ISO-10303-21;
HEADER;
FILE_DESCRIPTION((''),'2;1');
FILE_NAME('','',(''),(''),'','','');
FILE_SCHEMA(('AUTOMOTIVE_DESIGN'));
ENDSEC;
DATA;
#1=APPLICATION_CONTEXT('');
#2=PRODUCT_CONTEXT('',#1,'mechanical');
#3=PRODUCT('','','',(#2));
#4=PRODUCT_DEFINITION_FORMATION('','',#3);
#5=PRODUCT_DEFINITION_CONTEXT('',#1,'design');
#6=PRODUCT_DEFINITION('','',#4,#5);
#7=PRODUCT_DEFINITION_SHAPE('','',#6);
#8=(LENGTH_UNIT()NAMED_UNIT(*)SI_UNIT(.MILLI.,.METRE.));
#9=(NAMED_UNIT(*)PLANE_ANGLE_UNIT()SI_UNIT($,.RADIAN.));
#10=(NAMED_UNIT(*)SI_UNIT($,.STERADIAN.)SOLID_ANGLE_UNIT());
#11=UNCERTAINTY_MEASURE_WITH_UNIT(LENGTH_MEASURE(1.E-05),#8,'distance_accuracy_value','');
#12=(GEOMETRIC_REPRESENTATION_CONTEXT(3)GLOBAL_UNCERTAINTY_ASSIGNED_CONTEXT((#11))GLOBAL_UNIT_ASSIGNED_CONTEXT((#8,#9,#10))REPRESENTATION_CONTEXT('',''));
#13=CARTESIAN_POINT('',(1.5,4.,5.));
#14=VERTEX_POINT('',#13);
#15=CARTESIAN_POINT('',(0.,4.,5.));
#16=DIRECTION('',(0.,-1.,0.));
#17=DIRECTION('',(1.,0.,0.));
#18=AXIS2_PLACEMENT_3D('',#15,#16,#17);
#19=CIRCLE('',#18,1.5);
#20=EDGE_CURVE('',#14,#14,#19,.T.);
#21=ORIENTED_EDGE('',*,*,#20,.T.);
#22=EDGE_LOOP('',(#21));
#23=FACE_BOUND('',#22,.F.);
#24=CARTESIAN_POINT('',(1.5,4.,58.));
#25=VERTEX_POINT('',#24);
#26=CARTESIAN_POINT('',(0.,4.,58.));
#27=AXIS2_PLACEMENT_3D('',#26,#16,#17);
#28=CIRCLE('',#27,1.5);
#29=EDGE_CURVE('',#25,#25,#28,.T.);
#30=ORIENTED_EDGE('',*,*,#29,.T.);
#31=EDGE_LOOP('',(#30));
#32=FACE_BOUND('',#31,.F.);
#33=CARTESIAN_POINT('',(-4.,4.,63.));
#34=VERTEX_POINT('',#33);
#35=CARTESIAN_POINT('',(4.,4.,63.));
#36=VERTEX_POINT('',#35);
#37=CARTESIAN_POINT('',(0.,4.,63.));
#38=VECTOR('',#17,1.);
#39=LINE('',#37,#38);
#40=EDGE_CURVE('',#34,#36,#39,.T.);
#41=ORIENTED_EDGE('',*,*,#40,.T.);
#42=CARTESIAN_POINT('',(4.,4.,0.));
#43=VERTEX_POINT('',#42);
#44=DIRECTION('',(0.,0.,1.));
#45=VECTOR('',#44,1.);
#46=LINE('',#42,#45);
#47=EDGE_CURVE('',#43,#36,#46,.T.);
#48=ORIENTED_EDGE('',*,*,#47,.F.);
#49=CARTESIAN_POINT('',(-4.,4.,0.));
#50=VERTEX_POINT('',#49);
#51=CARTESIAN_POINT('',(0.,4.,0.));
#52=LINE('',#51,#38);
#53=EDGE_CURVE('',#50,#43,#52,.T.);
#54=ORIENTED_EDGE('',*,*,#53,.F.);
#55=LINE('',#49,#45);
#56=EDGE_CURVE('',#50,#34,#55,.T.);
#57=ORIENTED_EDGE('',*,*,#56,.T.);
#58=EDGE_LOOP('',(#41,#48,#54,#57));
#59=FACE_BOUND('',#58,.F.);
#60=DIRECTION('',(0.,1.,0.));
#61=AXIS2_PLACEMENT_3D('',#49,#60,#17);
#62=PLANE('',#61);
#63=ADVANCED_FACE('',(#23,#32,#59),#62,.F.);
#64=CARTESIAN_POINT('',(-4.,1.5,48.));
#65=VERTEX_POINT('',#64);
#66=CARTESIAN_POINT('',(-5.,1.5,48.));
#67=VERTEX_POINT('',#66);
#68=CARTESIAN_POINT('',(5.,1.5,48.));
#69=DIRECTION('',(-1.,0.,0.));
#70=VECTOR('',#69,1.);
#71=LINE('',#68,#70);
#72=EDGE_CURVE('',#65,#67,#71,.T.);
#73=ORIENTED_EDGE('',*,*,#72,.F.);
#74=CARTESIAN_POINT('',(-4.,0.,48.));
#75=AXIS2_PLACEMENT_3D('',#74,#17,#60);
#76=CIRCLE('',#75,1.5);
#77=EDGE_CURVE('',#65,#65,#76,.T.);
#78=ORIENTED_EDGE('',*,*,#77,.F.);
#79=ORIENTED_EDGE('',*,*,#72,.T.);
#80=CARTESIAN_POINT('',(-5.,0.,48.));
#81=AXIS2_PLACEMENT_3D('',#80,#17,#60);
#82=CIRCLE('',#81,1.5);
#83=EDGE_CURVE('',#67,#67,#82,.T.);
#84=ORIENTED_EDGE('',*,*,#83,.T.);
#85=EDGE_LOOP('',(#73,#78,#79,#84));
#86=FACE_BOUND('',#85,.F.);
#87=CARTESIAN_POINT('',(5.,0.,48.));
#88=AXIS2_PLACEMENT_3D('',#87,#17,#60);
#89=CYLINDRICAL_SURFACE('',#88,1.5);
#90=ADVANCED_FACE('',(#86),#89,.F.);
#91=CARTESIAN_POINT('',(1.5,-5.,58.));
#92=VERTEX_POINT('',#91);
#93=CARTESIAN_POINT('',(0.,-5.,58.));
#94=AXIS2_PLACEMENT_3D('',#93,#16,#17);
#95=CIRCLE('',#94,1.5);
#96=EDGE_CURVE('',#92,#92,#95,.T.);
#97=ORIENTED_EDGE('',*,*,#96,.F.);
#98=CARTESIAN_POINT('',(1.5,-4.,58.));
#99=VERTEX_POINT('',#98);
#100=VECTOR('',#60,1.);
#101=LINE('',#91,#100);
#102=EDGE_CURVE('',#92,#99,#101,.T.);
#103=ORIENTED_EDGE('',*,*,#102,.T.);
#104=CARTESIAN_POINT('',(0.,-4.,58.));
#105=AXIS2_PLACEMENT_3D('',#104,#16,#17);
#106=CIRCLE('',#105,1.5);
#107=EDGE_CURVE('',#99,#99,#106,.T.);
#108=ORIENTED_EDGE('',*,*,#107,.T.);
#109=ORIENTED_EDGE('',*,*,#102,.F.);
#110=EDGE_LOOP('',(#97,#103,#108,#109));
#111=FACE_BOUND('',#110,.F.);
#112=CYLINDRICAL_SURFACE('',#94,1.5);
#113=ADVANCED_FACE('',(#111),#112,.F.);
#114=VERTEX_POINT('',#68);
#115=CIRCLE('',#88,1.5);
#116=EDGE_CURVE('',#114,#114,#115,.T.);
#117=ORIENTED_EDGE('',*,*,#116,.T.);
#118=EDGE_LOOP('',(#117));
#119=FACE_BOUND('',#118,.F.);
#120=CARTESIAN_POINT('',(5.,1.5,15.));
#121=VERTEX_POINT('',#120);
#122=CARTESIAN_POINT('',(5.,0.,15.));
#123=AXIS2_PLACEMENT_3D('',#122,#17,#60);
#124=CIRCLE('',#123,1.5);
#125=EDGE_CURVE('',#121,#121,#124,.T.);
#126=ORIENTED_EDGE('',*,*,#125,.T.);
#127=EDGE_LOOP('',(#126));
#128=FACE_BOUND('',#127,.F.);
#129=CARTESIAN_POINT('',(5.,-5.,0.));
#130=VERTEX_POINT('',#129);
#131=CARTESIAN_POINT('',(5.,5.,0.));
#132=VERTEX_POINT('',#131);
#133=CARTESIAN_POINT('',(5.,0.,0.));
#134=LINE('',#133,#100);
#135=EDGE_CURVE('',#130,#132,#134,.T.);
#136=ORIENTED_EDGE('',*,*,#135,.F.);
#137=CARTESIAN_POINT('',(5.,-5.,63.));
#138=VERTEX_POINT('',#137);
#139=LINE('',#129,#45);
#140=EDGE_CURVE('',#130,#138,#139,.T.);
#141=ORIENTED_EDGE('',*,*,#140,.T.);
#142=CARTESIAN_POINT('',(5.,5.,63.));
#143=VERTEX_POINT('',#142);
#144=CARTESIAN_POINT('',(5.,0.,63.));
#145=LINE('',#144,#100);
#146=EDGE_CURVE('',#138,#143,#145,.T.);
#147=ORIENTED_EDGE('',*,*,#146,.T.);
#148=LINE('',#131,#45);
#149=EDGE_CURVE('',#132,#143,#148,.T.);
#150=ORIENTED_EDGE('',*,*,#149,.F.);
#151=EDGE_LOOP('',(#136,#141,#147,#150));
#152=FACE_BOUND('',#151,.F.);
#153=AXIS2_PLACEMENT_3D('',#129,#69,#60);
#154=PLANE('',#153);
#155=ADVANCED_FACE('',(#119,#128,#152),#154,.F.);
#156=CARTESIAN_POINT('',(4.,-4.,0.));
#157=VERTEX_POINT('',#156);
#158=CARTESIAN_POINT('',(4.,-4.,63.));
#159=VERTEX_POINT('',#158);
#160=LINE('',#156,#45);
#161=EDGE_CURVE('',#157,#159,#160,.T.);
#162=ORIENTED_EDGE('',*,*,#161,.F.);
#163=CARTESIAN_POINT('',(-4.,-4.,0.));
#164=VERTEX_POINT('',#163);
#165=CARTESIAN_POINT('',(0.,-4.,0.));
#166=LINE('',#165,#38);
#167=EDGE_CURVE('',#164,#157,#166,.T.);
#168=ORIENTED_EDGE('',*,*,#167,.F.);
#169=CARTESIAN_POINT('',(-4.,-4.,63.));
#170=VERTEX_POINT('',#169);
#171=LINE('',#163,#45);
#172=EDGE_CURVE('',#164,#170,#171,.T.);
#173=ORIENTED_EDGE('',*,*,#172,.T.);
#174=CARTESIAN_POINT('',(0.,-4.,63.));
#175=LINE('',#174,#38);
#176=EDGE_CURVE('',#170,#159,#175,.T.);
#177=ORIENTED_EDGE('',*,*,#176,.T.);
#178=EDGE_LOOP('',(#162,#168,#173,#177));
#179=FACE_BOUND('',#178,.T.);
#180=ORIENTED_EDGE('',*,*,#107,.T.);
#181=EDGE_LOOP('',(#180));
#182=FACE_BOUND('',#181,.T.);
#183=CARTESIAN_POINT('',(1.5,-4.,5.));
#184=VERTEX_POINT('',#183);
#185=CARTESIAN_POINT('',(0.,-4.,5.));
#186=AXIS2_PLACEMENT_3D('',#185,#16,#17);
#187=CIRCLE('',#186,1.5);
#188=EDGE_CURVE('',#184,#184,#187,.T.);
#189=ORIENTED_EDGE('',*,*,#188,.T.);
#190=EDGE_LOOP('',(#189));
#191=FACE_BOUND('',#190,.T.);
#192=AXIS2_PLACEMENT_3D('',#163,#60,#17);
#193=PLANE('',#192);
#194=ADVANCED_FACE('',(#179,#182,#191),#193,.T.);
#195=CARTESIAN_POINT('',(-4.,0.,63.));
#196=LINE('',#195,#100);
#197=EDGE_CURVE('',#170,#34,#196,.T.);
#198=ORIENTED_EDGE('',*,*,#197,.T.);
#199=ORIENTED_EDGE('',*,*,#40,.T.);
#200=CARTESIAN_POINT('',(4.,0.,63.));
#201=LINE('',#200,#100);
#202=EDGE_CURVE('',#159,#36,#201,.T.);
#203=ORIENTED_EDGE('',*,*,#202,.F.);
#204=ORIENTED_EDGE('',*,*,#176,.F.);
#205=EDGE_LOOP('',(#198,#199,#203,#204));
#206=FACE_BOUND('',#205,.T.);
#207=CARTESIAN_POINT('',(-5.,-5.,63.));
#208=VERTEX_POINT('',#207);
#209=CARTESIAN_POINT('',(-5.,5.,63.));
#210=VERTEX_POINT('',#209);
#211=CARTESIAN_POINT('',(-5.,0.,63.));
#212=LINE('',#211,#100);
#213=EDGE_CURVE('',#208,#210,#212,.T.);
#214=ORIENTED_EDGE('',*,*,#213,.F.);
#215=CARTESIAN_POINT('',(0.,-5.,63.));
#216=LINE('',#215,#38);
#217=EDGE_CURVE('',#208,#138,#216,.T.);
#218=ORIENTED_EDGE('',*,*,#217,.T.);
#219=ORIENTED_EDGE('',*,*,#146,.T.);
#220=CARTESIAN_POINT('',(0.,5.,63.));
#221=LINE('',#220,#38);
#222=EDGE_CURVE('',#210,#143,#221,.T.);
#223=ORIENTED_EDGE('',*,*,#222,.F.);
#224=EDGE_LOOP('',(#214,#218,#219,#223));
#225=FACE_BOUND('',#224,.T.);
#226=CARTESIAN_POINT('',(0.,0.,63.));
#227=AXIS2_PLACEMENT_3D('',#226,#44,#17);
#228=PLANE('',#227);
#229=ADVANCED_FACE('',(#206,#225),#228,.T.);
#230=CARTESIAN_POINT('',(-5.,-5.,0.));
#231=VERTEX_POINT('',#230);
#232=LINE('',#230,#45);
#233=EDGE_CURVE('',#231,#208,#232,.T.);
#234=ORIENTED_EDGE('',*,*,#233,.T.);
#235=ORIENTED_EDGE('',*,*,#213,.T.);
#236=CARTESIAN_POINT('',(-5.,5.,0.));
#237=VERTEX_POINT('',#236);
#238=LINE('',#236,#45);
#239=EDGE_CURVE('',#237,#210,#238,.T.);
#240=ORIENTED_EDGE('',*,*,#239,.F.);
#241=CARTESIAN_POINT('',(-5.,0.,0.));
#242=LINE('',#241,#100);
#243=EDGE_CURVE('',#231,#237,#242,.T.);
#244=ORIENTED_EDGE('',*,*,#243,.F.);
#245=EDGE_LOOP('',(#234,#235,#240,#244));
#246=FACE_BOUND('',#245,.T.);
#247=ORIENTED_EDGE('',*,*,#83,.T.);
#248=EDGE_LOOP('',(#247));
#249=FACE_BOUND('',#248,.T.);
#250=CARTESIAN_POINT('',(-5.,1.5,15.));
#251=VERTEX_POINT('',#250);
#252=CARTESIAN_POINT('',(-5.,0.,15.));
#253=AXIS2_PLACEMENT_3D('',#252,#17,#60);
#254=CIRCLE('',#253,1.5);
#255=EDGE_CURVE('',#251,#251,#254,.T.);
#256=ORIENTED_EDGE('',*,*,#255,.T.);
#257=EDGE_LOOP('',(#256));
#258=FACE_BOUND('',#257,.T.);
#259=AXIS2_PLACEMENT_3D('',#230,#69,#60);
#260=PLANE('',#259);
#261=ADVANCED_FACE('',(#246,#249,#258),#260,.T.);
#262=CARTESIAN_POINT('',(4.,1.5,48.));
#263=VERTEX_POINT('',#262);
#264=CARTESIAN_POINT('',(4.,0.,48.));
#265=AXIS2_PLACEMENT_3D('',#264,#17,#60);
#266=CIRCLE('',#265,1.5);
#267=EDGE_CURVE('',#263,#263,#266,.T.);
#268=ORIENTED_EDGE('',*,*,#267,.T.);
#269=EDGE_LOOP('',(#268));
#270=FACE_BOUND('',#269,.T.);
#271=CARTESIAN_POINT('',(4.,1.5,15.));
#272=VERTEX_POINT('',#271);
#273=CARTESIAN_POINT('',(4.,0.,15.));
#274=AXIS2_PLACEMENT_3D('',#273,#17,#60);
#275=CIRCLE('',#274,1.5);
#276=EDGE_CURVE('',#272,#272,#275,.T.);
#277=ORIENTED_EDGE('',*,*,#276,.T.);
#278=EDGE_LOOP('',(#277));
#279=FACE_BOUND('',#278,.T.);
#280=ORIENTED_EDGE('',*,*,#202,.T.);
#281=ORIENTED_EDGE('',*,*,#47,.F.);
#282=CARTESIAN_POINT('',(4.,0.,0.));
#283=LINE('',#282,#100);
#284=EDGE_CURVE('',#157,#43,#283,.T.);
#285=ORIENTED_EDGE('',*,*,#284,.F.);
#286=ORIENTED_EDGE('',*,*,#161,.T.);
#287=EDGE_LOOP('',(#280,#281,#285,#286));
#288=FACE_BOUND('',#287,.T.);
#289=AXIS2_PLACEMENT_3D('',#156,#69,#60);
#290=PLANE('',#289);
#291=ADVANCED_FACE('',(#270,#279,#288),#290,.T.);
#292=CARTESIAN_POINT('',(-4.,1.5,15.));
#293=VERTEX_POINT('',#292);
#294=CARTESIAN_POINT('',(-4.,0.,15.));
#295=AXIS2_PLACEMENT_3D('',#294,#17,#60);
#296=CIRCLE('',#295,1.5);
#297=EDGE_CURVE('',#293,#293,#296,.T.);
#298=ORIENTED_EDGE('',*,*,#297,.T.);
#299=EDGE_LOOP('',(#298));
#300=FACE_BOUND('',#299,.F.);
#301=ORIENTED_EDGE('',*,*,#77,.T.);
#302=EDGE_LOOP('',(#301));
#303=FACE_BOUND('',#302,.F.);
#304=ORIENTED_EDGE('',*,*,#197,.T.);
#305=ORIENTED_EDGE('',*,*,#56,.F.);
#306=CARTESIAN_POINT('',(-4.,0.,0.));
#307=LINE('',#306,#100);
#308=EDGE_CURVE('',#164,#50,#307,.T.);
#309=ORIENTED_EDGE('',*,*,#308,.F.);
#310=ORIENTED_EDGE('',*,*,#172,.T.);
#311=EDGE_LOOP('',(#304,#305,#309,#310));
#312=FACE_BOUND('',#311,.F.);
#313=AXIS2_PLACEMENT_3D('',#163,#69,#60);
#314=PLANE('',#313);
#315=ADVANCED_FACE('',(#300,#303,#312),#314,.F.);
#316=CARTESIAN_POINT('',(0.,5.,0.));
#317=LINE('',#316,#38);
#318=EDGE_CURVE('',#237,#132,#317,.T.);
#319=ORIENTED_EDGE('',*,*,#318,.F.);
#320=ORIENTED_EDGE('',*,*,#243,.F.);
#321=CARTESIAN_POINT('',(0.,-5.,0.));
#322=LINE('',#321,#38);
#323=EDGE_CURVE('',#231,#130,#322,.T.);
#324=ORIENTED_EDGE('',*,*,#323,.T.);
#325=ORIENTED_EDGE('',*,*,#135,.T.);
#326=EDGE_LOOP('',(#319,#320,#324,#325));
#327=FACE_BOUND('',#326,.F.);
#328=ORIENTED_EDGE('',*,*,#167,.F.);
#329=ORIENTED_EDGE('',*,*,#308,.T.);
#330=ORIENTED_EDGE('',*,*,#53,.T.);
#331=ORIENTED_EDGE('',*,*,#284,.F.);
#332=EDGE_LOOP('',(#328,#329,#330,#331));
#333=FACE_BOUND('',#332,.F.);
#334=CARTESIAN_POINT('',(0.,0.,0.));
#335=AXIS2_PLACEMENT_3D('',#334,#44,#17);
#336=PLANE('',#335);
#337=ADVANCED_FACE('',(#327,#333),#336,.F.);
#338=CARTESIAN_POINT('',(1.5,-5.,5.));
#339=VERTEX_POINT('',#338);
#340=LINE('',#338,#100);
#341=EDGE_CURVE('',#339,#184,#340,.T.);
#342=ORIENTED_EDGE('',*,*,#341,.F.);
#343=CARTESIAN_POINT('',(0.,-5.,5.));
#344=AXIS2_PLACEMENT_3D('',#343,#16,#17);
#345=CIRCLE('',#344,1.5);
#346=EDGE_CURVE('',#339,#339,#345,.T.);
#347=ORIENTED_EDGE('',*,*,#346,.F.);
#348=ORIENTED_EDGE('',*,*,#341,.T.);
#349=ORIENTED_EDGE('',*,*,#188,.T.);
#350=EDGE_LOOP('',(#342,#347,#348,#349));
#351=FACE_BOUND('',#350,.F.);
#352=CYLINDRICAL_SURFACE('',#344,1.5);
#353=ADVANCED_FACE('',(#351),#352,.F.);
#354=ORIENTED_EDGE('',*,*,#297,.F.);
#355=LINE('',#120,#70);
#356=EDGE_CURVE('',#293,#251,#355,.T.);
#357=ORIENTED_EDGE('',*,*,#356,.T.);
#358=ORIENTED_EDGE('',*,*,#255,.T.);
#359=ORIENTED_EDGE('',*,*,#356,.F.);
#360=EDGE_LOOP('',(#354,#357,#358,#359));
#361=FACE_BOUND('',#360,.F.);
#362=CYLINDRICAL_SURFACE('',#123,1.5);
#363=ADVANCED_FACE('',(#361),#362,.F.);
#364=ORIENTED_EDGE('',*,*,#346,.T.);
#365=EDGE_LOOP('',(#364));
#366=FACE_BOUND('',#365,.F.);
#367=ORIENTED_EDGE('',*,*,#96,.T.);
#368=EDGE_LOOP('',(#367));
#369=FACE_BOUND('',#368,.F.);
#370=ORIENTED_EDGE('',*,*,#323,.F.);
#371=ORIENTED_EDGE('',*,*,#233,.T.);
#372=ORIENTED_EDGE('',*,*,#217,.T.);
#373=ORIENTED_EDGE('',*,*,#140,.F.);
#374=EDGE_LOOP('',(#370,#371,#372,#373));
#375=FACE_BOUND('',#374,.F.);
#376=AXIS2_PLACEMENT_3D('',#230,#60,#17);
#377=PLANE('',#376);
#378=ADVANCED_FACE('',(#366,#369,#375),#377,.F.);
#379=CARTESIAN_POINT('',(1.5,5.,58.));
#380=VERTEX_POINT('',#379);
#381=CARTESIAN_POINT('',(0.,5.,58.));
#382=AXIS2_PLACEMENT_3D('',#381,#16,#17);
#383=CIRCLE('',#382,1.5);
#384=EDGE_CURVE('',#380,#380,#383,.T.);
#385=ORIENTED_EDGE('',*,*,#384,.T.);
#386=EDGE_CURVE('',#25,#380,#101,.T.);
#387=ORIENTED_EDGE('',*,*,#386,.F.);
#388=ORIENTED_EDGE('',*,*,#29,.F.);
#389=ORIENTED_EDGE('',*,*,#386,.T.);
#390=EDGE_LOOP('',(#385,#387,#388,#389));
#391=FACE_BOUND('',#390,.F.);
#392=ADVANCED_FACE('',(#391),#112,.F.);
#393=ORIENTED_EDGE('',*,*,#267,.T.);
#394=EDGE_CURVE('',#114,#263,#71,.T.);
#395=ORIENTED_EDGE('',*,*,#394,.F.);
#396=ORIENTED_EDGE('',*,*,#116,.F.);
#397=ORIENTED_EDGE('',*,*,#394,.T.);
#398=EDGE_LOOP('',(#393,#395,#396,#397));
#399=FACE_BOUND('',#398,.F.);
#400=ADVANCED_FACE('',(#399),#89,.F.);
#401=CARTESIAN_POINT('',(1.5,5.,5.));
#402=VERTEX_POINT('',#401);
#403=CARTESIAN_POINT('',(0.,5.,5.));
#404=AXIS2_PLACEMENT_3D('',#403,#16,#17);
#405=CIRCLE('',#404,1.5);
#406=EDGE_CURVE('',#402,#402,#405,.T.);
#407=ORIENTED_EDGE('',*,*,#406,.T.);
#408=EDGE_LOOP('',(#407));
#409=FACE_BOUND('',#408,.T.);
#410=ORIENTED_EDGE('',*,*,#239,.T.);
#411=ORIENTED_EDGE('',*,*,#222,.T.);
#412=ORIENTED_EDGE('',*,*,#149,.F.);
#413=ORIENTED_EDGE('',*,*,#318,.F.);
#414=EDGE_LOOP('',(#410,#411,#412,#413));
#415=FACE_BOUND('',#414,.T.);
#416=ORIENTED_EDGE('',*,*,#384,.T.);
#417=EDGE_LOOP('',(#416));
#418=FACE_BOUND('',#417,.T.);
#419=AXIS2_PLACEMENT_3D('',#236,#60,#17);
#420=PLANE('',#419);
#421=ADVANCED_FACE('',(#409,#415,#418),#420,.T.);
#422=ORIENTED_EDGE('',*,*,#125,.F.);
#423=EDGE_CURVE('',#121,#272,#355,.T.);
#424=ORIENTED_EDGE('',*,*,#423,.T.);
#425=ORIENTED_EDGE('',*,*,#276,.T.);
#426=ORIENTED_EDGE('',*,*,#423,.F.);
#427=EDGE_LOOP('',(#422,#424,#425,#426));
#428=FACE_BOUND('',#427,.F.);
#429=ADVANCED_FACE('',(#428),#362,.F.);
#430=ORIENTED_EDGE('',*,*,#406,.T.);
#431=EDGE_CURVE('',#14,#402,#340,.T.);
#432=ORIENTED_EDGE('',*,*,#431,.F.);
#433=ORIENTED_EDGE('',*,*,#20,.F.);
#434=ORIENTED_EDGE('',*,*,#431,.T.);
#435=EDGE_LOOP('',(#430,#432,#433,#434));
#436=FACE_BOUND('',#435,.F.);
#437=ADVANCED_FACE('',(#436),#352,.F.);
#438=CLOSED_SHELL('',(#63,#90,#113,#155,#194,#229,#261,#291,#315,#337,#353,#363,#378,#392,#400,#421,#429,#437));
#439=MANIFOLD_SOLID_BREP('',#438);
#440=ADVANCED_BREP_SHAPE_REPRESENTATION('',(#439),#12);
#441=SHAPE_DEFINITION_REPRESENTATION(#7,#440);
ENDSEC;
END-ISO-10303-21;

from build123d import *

# Parameters (mm, degrees)
F0_W     = 10
F0_H     = 10
F0_W_2   = 8
F0_H_2   = 8
F1_DEPTH = 63
F2_R     = 1.5
F3_DEPTH = 25
F4_R     = 1.5
F5_DEPTH = 25


with BuildPart() as f1:
    # F0 (on Top) → F1 (new body)
    with BuildSketch(Plane.XY):
        Rectangle(F0_W, F0_H)
        Rectangle(F0_W_2, F0_H_2, mode=Mode.SUBTRACT)
    extrude(amount=F1_DEPTH)

    # F2 (on face) → F3 (cut)
    with BuildSketch(Plane.XZ.offset(5)):
        with Locations((0, 5)):
            Circle(F2_R)
        with Locations((0, 58)):
            Circle(F2_R)
    extrude(amount=-F3_DEPTH, mode=Mode.SUBTRACT)

    # F4 (on face) → F5 (cut)
    with BuildSketch(Plane.YZ.offset(5)):
        with Locations((0, 48)):
            Circle(F4_R)
        with Locations((0, 15)):
            Circle(F4_R)
    extrude(amount=-F5_DEPTH, mode=Mode.SUBTRACT)


solid = f1.part
